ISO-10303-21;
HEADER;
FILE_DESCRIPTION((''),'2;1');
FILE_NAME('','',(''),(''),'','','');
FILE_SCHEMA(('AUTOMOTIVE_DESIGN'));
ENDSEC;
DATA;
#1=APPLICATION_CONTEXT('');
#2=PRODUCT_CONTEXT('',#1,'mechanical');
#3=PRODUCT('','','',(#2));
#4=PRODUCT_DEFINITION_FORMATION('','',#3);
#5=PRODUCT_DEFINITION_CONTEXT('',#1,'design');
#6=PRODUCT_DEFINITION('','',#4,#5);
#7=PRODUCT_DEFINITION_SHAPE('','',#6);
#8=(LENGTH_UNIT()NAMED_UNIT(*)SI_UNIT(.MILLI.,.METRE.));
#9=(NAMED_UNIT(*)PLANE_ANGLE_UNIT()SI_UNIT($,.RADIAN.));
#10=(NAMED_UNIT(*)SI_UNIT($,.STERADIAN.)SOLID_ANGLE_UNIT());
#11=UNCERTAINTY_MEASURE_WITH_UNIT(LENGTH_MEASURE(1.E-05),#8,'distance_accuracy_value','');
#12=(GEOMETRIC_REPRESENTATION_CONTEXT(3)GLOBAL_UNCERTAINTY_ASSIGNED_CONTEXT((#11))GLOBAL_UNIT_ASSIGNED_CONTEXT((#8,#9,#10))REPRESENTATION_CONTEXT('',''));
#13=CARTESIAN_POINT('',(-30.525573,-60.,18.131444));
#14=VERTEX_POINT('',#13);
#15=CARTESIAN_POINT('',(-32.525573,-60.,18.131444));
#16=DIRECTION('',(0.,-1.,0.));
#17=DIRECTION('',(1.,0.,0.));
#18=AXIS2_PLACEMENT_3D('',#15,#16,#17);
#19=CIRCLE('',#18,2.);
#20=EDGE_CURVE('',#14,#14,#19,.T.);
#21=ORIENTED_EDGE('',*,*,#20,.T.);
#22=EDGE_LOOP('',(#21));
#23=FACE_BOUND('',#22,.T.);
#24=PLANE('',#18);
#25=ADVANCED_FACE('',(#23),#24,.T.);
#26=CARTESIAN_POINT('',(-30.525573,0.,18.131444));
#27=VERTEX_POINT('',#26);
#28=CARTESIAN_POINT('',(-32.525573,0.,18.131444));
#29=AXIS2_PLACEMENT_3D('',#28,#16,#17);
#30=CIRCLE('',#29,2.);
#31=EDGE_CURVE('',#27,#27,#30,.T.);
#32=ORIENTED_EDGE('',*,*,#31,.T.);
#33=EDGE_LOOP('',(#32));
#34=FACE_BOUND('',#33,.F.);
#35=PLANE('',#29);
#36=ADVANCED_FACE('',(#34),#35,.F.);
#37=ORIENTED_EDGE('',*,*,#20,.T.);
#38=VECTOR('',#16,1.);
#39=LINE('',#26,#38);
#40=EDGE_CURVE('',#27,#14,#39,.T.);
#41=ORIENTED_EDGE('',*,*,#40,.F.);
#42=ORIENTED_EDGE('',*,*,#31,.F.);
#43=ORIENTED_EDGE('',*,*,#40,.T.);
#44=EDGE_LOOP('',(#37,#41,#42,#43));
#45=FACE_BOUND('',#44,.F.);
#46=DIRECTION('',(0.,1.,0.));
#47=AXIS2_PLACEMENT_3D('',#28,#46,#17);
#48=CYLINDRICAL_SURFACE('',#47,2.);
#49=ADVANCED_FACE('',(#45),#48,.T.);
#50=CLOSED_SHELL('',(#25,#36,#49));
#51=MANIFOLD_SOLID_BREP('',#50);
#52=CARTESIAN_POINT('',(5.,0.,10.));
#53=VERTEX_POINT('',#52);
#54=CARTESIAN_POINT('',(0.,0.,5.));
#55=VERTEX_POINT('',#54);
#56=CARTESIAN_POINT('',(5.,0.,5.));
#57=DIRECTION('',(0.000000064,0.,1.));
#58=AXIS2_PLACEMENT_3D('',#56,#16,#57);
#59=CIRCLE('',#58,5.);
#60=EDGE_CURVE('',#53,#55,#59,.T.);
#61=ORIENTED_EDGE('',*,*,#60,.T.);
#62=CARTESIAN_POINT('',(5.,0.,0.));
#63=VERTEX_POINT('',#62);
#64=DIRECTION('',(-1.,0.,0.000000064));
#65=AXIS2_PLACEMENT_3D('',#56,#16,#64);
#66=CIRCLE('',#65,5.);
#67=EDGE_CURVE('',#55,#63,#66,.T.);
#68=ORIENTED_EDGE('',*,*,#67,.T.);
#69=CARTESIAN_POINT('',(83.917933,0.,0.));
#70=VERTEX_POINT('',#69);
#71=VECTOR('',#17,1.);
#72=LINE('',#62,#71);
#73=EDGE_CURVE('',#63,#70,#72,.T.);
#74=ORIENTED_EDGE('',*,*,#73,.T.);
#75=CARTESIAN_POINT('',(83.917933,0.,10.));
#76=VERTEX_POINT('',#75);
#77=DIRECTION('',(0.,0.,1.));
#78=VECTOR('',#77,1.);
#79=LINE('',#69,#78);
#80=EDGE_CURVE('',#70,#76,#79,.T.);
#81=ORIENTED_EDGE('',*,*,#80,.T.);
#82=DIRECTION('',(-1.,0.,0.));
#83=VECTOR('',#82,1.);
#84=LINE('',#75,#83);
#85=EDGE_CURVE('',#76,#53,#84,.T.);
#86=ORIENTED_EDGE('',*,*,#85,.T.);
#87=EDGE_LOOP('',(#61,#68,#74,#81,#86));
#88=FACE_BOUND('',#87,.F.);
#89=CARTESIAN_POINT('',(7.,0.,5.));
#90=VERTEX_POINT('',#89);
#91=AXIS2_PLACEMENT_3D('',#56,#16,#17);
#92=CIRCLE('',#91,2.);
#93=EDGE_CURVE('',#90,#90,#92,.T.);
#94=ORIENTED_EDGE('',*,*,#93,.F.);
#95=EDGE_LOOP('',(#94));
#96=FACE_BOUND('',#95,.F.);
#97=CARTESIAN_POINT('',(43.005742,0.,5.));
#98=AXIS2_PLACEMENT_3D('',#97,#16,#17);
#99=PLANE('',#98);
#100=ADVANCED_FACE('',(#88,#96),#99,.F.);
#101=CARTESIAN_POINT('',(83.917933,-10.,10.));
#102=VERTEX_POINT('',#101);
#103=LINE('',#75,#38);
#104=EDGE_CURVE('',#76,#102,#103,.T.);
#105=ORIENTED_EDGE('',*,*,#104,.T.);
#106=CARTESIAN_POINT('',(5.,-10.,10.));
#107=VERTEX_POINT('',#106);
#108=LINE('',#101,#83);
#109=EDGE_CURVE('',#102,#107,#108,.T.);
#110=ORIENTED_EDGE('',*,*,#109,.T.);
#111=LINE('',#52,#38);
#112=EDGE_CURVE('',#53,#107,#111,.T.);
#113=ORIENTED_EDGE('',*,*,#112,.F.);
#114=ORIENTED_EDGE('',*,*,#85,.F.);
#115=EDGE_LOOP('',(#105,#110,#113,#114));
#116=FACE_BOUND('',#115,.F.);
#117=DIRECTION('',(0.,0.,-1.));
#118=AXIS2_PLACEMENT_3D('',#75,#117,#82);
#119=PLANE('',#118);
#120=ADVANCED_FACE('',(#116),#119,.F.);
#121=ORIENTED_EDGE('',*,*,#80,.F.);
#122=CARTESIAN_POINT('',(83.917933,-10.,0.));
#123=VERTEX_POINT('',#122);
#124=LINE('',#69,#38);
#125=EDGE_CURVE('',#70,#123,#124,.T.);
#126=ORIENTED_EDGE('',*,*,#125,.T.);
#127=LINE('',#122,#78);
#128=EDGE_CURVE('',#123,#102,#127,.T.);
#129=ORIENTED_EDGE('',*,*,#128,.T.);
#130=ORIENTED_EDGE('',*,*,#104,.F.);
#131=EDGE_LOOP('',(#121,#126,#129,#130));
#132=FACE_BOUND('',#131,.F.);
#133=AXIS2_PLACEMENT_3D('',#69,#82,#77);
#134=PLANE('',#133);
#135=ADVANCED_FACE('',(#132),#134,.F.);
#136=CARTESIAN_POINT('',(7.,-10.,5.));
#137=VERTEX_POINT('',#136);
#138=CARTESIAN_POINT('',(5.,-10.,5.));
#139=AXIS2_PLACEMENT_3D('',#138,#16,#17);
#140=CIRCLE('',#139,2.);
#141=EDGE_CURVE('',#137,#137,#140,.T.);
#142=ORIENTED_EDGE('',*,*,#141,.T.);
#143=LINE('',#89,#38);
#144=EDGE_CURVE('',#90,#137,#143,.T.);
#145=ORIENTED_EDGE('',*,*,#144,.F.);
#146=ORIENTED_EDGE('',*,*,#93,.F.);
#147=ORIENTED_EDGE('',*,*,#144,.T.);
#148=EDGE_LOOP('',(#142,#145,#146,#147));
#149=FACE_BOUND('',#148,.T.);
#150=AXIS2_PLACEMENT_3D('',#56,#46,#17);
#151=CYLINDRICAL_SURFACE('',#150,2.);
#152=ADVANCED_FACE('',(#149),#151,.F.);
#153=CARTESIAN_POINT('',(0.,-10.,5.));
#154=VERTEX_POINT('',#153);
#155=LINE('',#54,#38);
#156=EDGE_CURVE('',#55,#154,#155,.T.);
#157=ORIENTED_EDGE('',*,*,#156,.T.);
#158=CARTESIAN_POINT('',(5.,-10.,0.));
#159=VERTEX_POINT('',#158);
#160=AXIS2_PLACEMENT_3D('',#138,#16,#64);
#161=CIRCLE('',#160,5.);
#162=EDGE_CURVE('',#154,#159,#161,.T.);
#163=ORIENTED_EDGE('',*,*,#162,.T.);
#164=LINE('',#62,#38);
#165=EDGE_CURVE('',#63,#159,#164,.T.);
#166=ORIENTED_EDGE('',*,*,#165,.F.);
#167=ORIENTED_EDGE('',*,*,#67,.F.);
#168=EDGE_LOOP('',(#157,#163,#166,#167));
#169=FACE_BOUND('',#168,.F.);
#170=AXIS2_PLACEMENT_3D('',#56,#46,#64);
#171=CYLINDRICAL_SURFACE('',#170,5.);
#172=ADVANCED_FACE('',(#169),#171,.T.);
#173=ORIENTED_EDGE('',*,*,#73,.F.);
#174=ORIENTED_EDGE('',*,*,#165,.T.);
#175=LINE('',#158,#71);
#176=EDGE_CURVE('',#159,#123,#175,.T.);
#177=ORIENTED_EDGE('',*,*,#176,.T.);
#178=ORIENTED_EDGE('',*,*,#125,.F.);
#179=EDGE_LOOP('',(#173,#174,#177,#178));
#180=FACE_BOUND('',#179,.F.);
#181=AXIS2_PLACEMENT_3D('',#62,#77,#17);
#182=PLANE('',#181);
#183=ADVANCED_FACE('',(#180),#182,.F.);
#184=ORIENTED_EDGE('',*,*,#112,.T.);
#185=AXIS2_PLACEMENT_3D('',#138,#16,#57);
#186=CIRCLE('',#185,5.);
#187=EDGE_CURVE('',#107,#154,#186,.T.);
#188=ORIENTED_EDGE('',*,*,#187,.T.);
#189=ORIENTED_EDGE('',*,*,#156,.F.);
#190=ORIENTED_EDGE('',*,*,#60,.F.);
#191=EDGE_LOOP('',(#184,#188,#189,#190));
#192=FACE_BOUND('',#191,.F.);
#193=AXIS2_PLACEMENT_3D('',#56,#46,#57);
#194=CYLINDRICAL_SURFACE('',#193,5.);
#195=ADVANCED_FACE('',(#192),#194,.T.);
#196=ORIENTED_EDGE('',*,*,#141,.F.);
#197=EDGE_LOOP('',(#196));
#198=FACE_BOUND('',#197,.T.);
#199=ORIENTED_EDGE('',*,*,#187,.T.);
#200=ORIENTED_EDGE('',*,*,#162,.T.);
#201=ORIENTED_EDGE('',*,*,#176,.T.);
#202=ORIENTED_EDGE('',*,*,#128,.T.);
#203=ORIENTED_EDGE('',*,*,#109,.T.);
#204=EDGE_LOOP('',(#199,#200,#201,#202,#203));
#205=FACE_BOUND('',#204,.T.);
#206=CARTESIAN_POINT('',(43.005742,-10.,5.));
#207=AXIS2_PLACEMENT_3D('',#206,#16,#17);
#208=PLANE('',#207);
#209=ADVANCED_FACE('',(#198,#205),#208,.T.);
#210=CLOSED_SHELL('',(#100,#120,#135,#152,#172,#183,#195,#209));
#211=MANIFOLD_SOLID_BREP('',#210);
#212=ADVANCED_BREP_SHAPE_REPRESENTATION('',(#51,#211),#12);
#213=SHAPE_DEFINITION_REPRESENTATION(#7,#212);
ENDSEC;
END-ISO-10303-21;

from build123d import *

# Parameters (mm, degrees)
F0_R     = 2
F1_DEPTH = 10
F2_R     = 2
F3_DEPTH = 60


with BuildPart() as f1:
    # F0 (on Front) → F1 (new body)
    with BuildSketch(Plane.XZ):
        with BuildLine():
            ThreePointArc((0, 5), (1.464466, 1.464466), (5, 0))
            Line((5, 0), (83.917933, 0))
            Line((83.917933, 0), (83.917933, 10))
            Line((83.917933, 10), (5, 10))
            ThreePointArc((5, 10), (1.464466, 8.535534), (0, 5))
        make_face()
        with Locations((5, 5)):
            Circle(F0_R, mode=Mode.SUBTRACT)
    extrude(amount=F1_DEPTH)


with BuildPart() as f3:
    # F2 (on Front) → F3 (new body)
    with BuildSketch(Plane.XZ):
        with Locations((-32.525573, 18.131444)):
            Circle(F2_R)
    extrude(amount=F3_DEPTH)


solid = Compound([f1.part, f3.part])
